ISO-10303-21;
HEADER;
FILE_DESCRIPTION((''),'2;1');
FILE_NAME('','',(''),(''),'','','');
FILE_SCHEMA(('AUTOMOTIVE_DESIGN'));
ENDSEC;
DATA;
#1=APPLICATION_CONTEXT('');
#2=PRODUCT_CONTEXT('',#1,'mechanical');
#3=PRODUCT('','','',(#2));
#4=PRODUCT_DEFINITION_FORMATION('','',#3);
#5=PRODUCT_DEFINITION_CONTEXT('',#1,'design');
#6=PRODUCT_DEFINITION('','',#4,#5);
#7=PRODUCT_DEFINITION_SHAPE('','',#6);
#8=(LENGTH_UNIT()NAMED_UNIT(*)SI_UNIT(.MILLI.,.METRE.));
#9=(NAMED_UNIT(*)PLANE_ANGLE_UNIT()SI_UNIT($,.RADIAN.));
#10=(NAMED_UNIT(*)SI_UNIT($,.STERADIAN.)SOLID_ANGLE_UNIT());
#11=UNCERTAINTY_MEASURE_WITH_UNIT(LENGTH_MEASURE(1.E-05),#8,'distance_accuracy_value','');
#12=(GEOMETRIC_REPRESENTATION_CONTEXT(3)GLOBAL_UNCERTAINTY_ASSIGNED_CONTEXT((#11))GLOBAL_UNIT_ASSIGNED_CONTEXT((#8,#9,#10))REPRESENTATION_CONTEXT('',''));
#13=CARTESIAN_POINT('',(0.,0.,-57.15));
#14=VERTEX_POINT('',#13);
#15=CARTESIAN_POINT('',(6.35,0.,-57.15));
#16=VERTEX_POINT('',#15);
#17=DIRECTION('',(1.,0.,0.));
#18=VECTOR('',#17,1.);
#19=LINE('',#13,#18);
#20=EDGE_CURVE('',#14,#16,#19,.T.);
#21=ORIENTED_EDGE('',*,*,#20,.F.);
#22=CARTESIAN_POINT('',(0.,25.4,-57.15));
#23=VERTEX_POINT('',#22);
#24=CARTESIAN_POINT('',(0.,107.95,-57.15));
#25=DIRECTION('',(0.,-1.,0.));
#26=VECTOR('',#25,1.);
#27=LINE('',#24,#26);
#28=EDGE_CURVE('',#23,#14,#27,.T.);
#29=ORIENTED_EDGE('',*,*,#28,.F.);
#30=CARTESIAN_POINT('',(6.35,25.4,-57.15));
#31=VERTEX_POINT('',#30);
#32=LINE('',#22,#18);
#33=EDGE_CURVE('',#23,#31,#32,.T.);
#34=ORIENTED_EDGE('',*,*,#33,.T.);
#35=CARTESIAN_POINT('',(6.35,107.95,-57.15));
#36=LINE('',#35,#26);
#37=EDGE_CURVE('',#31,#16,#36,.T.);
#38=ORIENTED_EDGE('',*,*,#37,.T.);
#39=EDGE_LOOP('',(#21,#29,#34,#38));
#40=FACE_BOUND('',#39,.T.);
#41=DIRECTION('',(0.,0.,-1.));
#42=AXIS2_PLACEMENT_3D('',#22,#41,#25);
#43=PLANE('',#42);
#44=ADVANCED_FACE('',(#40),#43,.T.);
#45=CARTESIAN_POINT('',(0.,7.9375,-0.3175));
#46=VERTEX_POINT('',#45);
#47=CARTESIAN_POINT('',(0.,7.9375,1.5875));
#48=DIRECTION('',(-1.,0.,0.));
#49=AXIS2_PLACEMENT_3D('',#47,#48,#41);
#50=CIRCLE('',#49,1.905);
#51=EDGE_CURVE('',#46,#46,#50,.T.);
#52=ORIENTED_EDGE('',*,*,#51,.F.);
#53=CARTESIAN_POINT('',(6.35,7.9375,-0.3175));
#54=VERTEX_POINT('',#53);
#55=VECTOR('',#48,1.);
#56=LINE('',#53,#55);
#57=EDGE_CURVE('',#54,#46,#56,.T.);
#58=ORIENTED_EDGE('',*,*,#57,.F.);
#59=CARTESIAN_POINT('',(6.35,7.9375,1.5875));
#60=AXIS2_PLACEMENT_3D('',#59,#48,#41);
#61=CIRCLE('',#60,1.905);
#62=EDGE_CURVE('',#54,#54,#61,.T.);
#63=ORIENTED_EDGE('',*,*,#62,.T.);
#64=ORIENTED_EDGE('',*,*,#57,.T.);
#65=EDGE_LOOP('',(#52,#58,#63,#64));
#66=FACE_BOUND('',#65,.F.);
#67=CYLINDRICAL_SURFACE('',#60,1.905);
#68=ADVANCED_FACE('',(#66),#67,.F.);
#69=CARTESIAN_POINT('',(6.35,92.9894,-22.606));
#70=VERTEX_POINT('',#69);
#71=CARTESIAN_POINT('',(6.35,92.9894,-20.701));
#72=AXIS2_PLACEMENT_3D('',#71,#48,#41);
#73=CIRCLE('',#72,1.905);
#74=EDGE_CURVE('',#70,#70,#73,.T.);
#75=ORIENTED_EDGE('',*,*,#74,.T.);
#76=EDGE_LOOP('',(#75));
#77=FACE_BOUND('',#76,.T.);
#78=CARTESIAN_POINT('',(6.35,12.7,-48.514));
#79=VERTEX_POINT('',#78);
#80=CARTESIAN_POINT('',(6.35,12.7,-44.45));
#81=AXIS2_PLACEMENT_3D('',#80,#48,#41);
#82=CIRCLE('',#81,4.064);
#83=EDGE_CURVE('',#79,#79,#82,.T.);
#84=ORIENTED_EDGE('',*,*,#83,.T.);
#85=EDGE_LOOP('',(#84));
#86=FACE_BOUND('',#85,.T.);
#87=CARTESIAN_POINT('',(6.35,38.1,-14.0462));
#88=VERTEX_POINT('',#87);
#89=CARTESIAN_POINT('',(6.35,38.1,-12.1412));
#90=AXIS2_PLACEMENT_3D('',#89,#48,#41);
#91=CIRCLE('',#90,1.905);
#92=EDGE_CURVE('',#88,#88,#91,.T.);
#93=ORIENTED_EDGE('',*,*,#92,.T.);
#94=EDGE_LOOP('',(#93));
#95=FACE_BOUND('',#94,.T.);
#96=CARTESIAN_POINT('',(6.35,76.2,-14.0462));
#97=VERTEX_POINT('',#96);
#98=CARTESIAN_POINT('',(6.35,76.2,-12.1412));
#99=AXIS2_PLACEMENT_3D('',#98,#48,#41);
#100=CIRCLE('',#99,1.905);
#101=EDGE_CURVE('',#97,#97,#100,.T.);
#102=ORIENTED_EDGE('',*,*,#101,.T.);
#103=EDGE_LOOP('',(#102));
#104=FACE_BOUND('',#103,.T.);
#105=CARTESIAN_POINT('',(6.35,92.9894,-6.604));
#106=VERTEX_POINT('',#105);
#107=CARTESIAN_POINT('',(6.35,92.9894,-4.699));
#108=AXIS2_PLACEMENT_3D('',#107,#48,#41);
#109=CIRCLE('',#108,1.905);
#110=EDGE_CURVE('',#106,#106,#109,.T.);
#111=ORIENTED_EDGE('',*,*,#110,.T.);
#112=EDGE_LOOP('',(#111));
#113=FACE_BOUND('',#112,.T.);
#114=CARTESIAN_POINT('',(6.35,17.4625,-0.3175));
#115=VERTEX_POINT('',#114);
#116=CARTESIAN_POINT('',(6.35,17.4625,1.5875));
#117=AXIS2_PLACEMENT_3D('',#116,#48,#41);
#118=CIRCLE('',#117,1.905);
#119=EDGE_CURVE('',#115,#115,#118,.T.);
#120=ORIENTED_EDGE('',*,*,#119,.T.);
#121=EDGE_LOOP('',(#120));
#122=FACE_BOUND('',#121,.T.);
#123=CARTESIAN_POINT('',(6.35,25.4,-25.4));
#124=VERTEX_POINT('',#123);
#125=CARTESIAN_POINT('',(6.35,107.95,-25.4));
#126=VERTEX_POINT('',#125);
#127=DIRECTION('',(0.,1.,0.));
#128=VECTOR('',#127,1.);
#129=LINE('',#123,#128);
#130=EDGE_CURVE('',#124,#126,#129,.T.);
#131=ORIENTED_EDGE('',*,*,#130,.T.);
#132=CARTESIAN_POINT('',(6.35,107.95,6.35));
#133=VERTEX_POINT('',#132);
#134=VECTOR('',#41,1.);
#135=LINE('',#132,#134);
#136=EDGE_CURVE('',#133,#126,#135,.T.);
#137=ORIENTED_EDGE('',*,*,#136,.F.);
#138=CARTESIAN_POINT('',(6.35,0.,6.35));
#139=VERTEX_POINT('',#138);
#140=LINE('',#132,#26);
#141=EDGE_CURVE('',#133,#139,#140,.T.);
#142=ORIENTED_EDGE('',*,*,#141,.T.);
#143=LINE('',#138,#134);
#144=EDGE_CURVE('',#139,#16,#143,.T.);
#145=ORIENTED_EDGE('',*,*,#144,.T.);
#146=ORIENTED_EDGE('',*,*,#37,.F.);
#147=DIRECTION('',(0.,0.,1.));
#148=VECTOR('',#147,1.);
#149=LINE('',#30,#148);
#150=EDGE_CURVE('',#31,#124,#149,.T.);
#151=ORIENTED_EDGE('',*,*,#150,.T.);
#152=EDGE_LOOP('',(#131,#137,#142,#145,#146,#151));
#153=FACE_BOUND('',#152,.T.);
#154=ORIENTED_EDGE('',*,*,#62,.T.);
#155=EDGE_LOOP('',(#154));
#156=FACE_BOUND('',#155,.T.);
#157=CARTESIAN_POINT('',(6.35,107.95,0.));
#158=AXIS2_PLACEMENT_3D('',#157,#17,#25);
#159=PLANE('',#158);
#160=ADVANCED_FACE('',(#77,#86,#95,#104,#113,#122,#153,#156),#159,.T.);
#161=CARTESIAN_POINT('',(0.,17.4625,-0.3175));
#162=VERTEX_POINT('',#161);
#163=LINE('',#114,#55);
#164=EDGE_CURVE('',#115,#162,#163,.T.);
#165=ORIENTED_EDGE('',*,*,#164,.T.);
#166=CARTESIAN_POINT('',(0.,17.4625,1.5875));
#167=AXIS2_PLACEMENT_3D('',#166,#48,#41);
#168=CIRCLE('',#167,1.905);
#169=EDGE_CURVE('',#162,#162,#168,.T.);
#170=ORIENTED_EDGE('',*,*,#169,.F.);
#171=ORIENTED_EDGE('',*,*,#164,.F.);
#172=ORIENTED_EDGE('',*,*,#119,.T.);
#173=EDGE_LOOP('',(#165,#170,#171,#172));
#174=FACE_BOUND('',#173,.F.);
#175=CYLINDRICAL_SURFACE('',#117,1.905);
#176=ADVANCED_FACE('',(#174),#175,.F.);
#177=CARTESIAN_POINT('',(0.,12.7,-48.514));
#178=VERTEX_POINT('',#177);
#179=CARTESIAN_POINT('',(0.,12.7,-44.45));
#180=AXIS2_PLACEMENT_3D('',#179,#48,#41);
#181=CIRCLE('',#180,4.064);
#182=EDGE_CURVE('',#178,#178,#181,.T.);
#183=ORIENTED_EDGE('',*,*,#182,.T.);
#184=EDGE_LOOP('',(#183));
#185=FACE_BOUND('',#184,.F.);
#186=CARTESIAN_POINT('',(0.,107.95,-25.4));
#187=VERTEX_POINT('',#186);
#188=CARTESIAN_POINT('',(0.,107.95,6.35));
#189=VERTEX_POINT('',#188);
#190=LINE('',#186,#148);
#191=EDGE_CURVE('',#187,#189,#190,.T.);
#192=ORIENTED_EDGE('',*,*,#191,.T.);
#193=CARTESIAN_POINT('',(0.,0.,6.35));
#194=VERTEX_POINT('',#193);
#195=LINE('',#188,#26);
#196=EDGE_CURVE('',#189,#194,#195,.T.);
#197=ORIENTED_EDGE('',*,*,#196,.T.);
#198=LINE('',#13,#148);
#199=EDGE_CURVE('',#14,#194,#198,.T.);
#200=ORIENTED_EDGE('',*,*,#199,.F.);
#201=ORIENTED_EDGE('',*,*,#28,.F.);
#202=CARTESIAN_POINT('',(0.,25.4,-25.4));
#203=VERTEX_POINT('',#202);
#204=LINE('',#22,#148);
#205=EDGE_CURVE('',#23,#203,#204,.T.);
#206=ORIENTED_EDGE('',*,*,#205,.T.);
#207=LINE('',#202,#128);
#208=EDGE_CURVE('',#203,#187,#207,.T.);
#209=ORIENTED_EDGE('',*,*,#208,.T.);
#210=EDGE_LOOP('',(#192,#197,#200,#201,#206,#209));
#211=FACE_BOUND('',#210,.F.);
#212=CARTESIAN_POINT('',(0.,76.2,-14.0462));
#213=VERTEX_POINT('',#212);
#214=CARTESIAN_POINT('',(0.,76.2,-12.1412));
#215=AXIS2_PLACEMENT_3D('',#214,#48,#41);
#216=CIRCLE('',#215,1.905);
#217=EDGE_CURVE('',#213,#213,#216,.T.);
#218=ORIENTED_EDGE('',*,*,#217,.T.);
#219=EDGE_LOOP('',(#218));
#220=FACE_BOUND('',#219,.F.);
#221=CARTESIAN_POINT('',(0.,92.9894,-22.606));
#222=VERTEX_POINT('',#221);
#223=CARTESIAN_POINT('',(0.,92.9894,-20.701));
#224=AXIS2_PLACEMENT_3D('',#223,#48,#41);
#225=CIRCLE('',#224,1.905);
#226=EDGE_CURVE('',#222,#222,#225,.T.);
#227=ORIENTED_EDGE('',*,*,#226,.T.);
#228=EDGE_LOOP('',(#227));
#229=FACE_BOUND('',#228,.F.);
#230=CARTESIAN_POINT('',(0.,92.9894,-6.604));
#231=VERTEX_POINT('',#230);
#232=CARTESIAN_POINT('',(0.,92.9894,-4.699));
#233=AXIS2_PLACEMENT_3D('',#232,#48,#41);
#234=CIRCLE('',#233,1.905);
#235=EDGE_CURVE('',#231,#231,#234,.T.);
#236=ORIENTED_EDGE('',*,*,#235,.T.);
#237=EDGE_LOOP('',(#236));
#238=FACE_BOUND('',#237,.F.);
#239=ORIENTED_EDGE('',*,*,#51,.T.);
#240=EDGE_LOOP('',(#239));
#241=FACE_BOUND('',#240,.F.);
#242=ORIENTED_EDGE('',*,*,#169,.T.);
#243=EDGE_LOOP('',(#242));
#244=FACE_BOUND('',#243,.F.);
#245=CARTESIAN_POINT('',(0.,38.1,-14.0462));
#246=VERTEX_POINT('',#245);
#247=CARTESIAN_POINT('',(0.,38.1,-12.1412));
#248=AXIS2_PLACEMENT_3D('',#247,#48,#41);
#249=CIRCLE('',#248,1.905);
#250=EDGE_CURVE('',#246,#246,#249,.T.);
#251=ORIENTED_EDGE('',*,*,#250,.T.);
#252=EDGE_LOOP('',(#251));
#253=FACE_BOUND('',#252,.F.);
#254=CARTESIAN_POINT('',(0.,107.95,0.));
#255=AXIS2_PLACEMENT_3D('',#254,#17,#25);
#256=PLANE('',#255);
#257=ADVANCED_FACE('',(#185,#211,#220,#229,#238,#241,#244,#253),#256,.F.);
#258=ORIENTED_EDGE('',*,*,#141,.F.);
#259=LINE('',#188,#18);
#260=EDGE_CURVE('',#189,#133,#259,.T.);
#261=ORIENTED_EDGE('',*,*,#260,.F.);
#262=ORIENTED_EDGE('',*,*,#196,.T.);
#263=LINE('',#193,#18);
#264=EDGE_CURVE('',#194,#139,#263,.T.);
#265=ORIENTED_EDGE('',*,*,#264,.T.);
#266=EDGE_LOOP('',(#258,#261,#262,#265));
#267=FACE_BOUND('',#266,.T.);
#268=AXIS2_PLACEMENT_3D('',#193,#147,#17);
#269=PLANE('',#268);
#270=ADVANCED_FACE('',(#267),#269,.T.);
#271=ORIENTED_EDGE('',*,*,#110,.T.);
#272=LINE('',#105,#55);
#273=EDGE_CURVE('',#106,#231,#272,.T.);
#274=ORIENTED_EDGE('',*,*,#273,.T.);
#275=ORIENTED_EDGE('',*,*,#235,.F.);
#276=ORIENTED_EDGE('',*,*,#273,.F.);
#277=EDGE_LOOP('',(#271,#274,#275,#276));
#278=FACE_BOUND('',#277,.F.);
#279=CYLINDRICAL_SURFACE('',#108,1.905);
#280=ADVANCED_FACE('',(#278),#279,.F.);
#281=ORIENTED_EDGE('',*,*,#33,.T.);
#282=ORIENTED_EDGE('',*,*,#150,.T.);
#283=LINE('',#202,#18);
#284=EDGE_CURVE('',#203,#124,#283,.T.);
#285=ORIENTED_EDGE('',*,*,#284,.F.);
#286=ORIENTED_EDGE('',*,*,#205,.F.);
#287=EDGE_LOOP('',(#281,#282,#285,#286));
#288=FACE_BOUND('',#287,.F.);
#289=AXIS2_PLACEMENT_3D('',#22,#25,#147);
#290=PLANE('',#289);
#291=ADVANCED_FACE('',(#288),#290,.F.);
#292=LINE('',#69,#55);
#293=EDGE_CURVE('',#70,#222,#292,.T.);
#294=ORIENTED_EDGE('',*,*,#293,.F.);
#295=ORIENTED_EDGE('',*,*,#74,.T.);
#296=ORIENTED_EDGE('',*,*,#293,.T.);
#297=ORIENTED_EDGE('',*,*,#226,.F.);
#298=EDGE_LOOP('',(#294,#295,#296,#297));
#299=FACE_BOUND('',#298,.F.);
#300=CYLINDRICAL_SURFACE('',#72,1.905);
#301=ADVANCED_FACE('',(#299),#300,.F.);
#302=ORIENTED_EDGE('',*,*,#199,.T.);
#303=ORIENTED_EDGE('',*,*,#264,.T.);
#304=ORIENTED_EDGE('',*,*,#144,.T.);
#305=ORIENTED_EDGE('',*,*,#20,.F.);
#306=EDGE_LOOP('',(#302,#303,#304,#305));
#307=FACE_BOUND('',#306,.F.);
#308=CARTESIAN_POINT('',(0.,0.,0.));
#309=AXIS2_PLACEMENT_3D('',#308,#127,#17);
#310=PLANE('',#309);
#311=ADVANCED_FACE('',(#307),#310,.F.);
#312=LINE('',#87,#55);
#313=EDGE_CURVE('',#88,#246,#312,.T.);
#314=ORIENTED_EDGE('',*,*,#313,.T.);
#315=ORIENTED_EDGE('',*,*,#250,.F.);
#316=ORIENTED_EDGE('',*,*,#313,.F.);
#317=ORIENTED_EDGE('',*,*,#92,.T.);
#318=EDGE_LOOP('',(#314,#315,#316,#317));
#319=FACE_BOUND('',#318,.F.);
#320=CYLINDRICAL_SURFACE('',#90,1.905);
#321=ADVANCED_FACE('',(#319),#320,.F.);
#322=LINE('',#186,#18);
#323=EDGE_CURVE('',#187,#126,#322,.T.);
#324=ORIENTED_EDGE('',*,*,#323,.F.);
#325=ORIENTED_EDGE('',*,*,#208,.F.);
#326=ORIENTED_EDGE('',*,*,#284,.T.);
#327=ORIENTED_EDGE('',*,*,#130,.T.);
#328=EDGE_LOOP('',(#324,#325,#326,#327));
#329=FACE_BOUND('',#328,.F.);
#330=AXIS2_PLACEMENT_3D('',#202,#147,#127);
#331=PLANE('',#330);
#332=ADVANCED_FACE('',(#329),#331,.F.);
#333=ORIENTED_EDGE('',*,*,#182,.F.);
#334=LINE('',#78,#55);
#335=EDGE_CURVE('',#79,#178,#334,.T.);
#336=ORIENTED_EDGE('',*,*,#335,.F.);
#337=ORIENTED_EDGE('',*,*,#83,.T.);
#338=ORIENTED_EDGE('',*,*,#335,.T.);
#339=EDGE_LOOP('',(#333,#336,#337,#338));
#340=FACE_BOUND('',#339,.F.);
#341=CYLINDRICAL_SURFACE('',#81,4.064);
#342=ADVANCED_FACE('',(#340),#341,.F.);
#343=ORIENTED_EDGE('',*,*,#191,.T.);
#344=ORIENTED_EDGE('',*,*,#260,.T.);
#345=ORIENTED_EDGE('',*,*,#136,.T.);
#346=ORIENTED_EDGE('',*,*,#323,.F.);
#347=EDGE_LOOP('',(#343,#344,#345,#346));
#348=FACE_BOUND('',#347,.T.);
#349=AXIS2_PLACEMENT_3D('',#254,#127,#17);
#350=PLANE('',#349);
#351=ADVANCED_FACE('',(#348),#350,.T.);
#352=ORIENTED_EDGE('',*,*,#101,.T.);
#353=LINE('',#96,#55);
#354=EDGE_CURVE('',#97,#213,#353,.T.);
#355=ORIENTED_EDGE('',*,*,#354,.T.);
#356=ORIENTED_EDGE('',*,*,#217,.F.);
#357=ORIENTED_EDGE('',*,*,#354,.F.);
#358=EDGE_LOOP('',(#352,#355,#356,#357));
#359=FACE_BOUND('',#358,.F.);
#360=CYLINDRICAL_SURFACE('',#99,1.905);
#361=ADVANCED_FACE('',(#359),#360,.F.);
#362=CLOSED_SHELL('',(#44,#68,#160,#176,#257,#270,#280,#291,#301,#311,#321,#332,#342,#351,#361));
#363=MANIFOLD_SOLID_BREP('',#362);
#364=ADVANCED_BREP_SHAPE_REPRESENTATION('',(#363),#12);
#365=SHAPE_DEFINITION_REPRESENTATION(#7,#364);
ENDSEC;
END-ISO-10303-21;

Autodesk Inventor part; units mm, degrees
ref_plane "YZ Plane" through (0, 0, 0) normal (1, 0, 0) x (0, 1, 0)
ref_plane "XZ Plane" through (0, 0, 0) normal (0, 1, 0) x (-1, 0, 0)
ref_plane "XY Plane" through (0, 0, 0) normal (0, 0, 1) x (1, 0, 0)
sketch "Sketch1" plane through (0, 0, 0) normal (1, 0, 0) x (0, 1, 0)
  line L0 (0, 0) -> (107.95, 0)
  line L1 (107.95, 0) -> (107.95, -57.15)
  line L2 (107.95, -57.15) -> (0, -57.15)
  line L3 (0, -57.15) -> (0, 0)
  line L4 (107.95, -57.15) -> (25.4, -57.15)
  line L5 (25.4, -57.15) -> (25.4, -25.4)
  line L6 (25.4, -25.4) -> (107.95, -25.4)
  line L7 (107.95, -25.4) -> (107.95, -57.15)
  dimension "d0" = 107.95
  dimension "d1" = 57.15
  dimension "d2" = 82.55
  dimension "d3" = 31.75
extrude "Extrusion1" add sketch "Sketch1" along normal blind 6.35 contours L0 L1 L6 L5 L2 L3
sketch "Sketch2" plane through (6.35, 0, 0) normal (1, 0, 0) x (0, 0, -1)
  line L0 (0, 0) -> (57.15, 0) projected
  line L1 (57.15, 25.4) -> (25.4, 25.4) projected
  line L2 (25.4, 25.4) -> (25.4, 107.95) projected
  line L3 (25.4, 107.95) -> (0, 107.95) projected
  line L4 (0, 107.95) -> (0, 0) projected
  line L5 (0, 0) -> (57.15, 0) projected
  line L6 (57.15, 0) -> (57.15, 25.4) projected
  point P0 (4.699, 92.9894)
  point P1 (20.701, 92.9894)
  dimension "d6" = 92.9894
  dimension "d7" = 92.9894
  dimension "d8" = 16.002
  dimension "d9" = 25.4
  dimension "d10" = 4.699
hole "Hole1" at (6.35, 92.9894, -4.699) at (6.35, 92.9894, -20.701) direction (-1, 0, 0) diameter 3.81 end through all
sketch "Sketch3" plane through (6.35, 0, 0) normal (1, 0, 0) x (0, 0, -1)
  line L0 (57.15, 25.4) -> (25.4, 25.4) projected
  line L1 (57.15, 0) -> (57.15, 25.4) projected
  point P0 (0, 0)
  point P1 (44.45, 12.7)
  dimension "d18" = 12.7
  dimension "d19" = 12.7
hole "Hole2" at (6.35, 12.7, -44.45) direction (-1, 0, 0) diameter 8.128 end through all
sketch "Sketch4" plane through (6.35, 0, 0) normal (1, 0, 0) x (0, 0, -1)
  line L0 (0, 107.95) -> (0, 0) projected
  line L1 (0, 0) -> (57.15, 0) projected
  line L2 (25.4, 25.4) -> (25.4, 107.95) projected
  point P0 (12.1412, 76.2)
  point P1 (12.1412, 38.1)
  dimension "d29" = 38.1
  dimension "d30" = 76.2
  dimension "d38" = 13.2588
  dimension "d39" = 13.2588
hole "Hole3" at (6.35, 76.2, -12.1412) at (6.35, 38.1, -12.1412) direction (-1, 0, 0) diameter 3.81 depth 10.9728 tip angle 118
sketch "Sketch5" plane through (0, 0, 0) normal (0, 0, 1) x (1, 0, 0)
  line L0 (0, 107.95) -> (0, 0) projected
  line L1 (0, 0) -> (6.35, 0) projected
  line L2 (6.35, 107.95) -> (6.35, 0) projected
  line L3 (0, 107.95) -> (6.35, 107.95) projected
extrude "Extrusion2" add sketch "Sketch5" along normal blind 6.35
sketch "Sketch6" plane through (6.35, 0, 0) normal (1, 0, 0) x (0, 0, -1)
  line L0 (-6.35, 0) -> (-6.35, 107.95) projected
  line L1 (57.15, 0) -> (-6.35, 0) projected
  point P0 (0, 0)
  point P1 (-1.5875, 17.4625)
  point P2 (-1.5875, 7.9375)
  dimension "d42" = 4.7625
  dimension "d43" = 4.7625
  dimension "d44" = 9.525
  dimension "d45" = 7.9375
hole "Hole4" at (6.35, 17.4625, 1.5875) at (6.35, 7.9375, 1.5875) direction (-1, 0, 0) diameter 3.81 end through all
equation "\"d7\" = d6"
equation "\"d10\" = -0.5 * d8 + 0.5 * d9"
equation "\"d39\" = d38"
equation "\"d43\" = d42"
properties part number "PaddleCollection2.1ServoSupport" material "Nylon 6/6"
